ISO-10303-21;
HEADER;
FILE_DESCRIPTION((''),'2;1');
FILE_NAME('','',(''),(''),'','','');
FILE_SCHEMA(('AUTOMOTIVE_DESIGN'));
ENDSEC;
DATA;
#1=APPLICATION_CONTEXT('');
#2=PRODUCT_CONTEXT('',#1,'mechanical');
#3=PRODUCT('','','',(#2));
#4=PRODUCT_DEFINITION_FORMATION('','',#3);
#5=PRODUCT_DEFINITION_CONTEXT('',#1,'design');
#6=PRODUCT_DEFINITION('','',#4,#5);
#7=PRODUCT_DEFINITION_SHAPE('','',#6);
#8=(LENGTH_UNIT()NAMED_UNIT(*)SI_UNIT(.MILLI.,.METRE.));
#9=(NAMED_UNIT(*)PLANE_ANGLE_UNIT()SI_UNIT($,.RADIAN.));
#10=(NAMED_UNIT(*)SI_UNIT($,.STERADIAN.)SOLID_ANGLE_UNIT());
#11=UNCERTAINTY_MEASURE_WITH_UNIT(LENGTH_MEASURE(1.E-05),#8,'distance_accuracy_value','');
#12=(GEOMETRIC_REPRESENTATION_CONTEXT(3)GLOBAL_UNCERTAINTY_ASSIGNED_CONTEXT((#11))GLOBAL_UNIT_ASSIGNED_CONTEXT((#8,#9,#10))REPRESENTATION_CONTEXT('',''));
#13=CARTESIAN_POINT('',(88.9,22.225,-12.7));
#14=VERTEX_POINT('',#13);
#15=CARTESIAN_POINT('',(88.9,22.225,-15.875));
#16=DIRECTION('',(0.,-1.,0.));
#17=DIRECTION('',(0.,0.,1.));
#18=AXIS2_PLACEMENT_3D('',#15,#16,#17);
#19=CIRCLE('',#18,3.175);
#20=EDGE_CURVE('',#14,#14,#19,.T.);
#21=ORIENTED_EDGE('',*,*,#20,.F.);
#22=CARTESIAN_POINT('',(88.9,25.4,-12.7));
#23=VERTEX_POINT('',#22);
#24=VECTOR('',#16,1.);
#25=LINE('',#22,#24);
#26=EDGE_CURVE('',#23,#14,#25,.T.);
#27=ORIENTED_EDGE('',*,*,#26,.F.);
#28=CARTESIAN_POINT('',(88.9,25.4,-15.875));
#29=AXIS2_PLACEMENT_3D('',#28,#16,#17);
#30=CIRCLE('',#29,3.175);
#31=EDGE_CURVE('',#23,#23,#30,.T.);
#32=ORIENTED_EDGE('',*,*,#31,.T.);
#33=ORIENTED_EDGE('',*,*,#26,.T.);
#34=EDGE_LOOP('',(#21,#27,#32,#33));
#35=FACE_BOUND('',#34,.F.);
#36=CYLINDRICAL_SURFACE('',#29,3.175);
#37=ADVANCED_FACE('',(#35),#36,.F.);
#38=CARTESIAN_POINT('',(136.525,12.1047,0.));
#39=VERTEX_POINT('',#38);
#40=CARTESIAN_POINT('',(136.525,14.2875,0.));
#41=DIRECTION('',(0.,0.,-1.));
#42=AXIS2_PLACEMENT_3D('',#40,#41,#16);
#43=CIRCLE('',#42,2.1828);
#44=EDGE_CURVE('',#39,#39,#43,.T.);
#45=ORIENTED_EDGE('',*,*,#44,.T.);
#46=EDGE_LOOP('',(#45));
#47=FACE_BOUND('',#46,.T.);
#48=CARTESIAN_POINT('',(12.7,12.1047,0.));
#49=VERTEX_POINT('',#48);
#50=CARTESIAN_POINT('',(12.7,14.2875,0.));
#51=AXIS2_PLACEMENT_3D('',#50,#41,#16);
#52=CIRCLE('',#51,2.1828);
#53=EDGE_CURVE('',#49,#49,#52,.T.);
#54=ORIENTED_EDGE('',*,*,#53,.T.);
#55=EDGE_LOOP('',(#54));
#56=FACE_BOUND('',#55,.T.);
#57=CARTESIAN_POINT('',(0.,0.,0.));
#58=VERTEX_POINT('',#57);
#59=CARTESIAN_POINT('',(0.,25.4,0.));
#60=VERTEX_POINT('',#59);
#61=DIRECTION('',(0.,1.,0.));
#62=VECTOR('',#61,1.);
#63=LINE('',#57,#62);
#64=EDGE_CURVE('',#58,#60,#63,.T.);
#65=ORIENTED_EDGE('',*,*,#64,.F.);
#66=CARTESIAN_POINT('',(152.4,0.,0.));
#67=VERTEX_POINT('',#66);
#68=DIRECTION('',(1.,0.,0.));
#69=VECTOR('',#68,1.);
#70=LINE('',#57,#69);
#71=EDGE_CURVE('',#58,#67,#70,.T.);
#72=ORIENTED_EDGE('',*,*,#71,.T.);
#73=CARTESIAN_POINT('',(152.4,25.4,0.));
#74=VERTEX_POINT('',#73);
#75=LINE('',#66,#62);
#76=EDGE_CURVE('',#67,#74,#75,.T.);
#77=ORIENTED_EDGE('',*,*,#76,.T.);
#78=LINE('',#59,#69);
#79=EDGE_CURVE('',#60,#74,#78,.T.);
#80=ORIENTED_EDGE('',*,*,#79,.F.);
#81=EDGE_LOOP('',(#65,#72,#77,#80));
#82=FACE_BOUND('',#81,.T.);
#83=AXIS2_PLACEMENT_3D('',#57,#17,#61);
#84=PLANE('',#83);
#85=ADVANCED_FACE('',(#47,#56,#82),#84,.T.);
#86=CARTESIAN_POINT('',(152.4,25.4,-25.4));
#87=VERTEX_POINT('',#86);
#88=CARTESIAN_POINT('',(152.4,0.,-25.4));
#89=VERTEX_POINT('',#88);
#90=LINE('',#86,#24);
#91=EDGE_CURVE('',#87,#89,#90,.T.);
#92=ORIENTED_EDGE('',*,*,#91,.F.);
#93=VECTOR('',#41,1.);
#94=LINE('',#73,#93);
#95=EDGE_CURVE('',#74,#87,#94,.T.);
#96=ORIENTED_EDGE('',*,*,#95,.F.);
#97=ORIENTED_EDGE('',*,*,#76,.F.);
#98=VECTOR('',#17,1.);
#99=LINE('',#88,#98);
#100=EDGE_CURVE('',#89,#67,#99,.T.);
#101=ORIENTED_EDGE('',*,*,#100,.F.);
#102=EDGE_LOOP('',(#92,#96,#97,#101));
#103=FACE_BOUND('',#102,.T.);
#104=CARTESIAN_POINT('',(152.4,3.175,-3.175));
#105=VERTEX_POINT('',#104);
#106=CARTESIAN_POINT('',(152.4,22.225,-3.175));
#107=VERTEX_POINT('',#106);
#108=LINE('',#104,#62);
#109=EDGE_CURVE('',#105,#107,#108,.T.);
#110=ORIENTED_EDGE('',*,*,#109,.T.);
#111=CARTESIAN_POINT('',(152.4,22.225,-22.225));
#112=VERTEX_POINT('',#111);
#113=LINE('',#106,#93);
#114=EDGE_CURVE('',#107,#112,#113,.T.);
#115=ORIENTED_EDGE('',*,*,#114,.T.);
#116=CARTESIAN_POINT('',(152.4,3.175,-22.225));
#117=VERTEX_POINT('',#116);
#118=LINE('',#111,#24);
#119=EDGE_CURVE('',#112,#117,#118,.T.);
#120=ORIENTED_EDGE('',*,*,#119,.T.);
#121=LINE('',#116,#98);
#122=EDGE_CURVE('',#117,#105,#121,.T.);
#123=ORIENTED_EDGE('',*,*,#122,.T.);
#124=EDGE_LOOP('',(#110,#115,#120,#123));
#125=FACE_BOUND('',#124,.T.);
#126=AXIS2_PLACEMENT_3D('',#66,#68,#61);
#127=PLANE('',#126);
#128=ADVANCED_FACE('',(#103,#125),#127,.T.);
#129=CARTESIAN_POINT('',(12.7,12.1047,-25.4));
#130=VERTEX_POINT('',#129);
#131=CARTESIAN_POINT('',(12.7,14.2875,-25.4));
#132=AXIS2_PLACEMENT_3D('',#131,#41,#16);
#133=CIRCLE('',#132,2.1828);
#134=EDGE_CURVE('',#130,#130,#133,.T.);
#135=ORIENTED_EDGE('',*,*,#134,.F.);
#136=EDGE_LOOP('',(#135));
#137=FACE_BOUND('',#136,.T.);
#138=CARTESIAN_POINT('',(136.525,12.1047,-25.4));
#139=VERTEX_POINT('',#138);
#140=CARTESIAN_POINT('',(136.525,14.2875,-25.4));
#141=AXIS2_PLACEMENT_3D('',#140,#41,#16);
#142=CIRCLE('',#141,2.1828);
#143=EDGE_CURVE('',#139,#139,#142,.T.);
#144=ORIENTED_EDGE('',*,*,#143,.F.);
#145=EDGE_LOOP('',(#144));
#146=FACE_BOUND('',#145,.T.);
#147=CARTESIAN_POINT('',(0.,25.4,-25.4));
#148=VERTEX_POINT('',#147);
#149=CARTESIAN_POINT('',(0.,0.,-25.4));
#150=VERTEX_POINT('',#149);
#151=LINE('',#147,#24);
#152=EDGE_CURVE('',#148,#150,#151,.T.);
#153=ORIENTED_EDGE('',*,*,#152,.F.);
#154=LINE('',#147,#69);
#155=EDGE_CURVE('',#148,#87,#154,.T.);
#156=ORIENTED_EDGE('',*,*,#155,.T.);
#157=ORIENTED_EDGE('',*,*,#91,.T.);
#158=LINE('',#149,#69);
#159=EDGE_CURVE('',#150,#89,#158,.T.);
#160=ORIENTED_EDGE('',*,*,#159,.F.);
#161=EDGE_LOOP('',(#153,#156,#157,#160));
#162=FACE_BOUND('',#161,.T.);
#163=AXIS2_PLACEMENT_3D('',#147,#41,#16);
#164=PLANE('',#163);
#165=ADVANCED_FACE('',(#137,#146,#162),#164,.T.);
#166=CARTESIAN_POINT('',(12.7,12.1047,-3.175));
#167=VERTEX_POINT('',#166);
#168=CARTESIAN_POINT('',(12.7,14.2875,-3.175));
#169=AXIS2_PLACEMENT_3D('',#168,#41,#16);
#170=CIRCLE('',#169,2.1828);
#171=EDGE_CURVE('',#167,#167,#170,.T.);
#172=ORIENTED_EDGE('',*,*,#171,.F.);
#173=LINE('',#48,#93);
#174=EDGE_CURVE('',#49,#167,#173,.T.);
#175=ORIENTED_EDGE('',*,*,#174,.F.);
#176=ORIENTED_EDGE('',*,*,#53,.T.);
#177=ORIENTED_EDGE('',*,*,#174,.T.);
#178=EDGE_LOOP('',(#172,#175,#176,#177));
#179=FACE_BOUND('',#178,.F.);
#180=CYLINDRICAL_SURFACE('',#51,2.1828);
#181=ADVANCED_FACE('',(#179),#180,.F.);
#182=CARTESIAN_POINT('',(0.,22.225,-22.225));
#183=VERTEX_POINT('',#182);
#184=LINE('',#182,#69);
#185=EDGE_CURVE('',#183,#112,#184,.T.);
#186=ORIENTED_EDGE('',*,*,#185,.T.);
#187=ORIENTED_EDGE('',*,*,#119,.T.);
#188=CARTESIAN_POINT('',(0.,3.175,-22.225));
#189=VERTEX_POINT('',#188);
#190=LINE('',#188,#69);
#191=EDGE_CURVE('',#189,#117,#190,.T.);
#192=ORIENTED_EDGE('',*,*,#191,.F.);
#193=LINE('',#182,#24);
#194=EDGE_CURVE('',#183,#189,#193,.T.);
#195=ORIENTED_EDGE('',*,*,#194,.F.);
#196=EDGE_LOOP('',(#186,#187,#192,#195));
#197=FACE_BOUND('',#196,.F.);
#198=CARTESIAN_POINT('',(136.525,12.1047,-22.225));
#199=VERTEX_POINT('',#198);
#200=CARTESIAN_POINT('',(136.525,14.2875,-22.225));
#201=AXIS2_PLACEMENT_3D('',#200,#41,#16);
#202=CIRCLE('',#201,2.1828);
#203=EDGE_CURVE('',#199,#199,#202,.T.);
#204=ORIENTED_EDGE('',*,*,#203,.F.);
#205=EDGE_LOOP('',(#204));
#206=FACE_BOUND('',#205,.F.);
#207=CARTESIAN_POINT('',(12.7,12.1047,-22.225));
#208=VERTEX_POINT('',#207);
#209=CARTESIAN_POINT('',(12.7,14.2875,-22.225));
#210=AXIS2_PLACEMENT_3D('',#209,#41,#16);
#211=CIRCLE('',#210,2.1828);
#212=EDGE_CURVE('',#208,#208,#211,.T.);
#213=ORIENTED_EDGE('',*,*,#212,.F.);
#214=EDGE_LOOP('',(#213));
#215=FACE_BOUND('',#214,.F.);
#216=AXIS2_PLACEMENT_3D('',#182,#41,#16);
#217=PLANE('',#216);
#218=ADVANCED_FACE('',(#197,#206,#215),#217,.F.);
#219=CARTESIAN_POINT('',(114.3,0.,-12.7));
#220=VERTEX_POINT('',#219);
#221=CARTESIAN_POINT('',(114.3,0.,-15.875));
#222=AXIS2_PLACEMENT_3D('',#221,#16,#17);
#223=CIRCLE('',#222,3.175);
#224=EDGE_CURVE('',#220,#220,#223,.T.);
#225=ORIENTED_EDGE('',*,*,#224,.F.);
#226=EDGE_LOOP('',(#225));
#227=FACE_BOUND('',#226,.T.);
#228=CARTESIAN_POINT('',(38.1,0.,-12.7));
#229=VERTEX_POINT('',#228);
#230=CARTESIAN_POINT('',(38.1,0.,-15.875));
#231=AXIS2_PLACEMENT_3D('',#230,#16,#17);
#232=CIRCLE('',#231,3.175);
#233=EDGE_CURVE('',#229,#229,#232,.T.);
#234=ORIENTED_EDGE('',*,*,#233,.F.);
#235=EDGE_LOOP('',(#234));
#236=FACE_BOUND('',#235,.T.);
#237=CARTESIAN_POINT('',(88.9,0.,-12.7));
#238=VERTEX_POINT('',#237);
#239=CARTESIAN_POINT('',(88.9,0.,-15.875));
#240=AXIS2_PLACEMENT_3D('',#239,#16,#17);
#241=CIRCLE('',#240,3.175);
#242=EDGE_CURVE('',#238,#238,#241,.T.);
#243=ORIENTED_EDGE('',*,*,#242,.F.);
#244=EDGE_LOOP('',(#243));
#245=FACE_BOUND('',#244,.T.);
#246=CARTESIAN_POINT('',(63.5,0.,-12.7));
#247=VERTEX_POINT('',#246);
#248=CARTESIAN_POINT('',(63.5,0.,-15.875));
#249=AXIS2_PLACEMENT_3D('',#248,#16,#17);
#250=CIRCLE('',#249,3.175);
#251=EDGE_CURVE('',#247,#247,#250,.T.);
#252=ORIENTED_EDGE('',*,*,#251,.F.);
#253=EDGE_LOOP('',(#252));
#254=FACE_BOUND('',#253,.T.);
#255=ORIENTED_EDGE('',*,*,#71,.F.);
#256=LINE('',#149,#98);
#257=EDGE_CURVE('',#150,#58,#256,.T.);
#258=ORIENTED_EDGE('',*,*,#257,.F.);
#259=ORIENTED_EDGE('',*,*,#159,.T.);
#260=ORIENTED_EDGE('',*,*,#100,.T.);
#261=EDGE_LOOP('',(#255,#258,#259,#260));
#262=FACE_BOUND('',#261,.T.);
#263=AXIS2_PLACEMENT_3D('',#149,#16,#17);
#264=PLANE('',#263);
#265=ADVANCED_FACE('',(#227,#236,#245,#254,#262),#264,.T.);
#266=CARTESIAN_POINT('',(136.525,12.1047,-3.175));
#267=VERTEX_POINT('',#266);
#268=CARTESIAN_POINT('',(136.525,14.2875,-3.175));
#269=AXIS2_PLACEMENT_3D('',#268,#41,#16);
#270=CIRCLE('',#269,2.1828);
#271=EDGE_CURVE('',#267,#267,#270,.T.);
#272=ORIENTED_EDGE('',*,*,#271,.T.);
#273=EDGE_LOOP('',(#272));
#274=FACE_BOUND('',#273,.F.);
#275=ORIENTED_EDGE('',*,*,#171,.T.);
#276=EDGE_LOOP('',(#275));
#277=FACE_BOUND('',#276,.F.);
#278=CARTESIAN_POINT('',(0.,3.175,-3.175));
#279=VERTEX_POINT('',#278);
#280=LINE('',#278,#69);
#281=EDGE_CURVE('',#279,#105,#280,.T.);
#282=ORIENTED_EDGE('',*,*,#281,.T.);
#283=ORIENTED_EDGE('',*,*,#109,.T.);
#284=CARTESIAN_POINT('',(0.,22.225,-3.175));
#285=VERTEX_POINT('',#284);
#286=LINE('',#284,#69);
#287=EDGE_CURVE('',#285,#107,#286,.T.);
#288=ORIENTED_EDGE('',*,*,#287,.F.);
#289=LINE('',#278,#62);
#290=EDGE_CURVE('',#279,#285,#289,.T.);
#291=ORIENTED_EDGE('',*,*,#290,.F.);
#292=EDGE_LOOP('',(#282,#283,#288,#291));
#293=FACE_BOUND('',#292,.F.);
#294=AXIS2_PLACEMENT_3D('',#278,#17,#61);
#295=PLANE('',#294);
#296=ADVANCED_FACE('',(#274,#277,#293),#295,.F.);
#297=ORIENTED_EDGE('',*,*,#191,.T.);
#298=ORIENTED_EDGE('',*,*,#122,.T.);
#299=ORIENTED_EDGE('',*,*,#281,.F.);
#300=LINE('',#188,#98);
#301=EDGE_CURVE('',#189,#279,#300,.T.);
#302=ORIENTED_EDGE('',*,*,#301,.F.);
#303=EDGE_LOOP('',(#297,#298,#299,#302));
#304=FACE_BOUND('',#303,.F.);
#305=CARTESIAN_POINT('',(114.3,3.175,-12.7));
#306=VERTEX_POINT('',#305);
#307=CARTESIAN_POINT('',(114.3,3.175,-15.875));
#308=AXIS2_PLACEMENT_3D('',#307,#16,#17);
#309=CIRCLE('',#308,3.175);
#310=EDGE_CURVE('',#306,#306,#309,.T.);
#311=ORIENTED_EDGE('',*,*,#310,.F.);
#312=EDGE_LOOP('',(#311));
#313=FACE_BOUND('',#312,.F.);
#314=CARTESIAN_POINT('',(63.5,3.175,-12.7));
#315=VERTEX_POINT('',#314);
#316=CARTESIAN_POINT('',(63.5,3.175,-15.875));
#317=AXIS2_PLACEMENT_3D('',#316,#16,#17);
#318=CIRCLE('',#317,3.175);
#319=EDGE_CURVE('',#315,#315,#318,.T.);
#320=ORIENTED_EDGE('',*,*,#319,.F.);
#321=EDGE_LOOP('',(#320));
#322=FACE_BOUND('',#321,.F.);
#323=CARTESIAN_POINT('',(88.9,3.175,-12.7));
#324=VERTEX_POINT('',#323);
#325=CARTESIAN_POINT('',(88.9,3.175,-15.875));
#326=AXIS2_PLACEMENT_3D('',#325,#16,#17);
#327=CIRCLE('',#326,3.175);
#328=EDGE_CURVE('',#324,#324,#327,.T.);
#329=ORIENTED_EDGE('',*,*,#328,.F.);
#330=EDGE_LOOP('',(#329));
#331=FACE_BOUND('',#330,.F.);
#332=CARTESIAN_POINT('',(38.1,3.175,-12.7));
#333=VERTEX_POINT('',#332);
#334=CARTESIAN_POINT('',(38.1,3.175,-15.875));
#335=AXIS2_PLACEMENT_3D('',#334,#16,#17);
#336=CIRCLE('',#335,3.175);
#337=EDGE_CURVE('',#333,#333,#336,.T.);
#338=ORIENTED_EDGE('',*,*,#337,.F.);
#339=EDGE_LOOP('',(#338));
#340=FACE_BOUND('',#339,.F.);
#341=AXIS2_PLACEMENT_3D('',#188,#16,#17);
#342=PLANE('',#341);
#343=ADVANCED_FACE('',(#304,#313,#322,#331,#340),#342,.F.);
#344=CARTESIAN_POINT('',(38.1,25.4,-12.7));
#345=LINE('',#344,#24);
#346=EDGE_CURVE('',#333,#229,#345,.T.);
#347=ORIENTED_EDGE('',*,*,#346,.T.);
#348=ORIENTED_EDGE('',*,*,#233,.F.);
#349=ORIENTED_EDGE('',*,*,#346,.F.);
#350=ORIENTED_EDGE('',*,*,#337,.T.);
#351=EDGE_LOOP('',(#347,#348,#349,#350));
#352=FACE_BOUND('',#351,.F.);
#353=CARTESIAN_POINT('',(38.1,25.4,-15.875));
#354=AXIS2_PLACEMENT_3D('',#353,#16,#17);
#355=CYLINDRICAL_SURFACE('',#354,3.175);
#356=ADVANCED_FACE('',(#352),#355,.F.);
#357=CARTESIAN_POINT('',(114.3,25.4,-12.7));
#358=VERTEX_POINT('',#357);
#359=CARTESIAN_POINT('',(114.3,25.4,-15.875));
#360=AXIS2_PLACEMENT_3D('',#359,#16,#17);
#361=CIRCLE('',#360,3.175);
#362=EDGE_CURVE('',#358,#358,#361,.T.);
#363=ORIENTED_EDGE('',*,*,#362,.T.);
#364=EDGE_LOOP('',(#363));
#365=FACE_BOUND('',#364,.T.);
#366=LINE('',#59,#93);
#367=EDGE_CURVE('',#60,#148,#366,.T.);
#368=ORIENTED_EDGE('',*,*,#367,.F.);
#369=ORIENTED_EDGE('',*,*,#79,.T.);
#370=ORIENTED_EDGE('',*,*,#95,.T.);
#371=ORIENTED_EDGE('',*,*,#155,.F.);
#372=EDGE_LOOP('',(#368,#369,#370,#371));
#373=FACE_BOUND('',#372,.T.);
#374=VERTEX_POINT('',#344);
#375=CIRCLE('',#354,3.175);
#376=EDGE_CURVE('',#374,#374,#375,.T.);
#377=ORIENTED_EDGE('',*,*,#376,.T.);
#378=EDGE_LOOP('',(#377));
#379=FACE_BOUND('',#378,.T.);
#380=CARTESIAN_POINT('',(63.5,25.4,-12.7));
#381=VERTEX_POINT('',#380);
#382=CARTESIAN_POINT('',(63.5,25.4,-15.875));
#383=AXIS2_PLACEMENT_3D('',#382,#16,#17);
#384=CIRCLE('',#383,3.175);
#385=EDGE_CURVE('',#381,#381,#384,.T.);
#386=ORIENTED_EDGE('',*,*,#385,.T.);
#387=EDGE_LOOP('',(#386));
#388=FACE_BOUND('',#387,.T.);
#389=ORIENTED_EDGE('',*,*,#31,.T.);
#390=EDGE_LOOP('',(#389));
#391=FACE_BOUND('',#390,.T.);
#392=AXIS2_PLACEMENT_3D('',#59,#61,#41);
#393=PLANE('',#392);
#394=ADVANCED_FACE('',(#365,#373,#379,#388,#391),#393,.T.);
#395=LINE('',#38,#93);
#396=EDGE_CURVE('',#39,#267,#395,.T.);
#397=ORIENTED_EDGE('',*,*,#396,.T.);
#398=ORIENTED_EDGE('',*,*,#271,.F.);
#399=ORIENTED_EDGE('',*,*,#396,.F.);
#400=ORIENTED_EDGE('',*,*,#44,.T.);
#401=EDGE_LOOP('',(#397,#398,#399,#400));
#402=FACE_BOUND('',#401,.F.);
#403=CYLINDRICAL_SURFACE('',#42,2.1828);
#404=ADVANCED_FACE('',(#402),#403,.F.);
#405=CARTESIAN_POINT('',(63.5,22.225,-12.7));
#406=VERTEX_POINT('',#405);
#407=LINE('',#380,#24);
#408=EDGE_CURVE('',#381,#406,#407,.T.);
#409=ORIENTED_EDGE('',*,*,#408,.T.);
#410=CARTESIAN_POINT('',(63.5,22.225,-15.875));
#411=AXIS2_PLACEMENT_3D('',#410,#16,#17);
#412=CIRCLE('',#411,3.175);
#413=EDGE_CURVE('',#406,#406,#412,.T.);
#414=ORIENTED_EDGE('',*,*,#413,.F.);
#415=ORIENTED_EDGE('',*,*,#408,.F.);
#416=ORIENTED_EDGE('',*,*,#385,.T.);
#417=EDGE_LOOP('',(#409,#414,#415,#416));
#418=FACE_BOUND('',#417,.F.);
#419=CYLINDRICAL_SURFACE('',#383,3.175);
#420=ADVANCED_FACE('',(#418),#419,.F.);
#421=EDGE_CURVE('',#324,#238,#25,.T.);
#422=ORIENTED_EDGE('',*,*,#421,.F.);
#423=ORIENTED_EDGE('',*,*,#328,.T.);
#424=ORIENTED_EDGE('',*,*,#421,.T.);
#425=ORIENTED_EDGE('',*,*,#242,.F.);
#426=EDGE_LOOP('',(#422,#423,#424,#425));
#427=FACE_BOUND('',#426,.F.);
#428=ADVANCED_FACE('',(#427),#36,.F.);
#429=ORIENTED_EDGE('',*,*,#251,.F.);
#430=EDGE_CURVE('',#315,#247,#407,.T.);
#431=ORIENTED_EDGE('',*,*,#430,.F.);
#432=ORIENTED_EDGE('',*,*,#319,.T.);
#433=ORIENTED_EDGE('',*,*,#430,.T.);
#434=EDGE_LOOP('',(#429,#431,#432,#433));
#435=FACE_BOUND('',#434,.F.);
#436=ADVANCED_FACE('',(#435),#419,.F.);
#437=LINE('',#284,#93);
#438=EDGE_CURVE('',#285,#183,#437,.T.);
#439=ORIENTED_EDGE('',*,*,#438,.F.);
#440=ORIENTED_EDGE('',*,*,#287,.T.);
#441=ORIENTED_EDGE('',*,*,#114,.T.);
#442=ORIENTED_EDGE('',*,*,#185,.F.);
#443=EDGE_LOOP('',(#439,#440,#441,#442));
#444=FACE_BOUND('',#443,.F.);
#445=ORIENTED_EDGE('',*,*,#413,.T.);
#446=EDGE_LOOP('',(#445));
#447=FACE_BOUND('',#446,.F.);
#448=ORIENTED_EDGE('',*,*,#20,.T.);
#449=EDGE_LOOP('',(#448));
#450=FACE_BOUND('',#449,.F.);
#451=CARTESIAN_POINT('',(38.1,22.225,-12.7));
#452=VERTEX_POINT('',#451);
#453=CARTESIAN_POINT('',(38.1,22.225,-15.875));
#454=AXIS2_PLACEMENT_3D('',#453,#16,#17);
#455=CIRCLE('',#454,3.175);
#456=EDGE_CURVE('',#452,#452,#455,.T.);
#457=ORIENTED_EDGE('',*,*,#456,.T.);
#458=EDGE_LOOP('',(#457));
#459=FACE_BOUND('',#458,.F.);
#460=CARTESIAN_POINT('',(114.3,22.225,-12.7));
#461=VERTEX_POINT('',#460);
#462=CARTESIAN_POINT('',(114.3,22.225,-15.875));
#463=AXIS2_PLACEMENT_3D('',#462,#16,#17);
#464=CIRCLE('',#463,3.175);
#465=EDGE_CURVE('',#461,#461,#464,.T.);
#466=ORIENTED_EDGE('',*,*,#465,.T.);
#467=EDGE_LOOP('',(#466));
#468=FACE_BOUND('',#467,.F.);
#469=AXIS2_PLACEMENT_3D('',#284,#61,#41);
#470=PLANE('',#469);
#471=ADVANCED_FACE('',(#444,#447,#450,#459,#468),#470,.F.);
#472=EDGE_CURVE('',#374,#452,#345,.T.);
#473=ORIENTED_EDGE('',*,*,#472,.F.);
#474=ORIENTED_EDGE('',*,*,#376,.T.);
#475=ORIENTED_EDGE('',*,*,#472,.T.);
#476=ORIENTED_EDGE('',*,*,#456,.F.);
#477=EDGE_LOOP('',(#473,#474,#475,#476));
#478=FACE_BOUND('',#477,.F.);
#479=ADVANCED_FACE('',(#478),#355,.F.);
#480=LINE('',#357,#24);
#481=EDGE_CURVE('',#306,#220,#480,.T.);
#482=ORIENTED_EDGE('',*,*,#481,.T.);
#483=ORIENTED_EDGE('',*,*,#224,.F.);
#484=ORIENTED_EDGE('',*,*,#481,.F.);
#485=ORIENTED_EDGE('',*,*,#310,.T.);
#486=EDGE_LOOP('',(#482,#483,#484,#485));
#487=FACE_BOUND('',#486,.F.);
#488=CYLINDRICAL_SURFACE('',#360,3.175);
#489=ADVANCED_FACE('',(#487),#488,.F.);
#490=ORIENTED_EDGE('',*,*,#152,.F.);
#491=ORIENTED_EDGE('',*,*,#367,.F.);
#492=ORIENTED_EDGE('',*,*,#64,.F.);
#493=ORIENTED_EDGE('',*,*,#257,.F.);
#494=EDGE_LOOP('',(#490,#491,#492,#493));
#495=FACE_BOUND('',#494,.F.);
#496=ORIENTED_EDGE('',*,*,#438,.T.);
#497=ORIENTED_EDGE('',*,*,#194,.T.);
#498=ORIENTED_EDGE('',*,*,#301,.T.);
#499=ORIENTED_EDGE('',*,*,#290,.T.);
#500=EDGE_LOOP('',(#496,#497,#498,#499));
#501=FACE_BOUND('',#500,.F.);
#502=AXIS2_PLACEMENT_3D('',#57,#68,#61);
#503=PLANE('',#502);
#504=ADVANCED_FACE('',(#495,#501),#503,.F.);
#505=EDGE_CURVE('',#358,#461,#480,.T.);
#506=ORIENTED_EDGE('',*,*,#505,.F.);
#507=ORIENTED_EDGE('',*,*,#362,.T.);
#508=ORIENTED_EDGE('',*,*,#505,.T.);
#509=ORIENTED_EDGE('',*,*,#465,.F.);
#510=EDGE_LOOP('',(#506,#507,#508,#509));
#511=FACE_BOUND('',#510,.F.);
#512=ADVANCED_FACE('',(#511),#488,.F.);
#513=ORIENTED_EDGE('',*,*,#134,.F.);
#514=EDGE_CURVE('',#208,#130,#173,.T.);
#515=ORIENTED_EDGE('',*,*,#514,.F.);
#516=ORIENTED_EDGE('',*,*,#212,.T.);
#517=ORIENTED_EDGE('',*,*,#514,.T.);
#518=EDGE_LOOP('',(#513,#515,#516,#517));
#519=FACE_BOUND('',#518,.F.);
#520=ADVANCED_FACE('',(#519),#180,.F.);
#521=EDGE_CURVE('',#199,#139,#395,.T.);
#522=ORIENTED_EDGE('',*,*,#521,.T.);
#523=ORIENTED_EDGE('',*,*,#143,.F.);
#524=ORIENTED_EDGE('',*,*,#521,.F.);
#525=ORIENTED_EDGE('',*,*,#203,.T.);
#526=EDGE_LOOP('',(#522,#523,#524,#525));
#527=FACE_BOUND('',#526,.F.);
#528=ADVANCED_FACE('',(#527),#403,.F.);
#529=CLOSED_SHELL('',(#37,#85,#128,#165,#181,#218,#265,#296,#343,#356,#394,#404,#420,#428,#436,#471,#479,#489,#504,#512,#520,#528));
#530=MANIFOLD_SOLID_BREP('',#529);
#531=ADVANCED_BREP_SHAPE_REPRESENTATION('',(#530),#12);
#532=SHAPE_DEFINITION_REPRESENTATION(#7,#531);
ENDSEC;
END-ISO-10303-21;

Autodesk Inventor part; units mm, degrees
ref_plane "YZ Plane" through (0, 0, 0) normal (1, 0, 0) x (0, 1, 0)
ref_plane "XZ Plane" through (0, 0, 0) normal (0, 1, 0) x (-1, 0, 0)
ref_plane "XY Plane" through (0, 0, 0) normal (0, 0, 1) x (1, 0, 0)
sketch "Sketch1" plane through (0, 0, 0) normal (1, 0, 0) x (0, 1, 0)
  line L0 (0, 0) -> (25.4, 0)
  line L1 (25.4, 0) -> (25.4, -25.4)
  line L2 (25.4, -25.4) -> (0, -25.4)
  line L3 (0, -25.4) -> (0, 0)
  line L4 (3.175, -3.175) -> (22.225, -3.175)
  line L5 (22.225, -3.175) -> (22.225, -22.225)
  line L6 (22.225, -22.225) -> (3.175, -22.225)
  line L7 (3.175, -22.225) -> (3.175, -3.175)
  dimension "d0" = 25.4
  dimension "d1" = 25.4
  dimension "d2" = 19.05
  dimension "d3" = 19.05
  dimension "d4" = 3.175
  dimension "d5" = 3.175
extrude "Extrusion1" add sketch "Sketch1" along normal blind 152.4
sketch "Sketch2" plane through (0, 25.4, 0) normal (0, 1, 0) x (1, 0, 0)
  line L0 (0, 0) -> (0, 25.4) projected
  line L1 (0, 0) -> (152.4, 0) projected
  line L2 (152.4, 25.4) -> (152.4, 0) projected
  point P0 (38.1, 15.875)
  point P1 (114.3, 15.875)
  dimension "d8" = 38.1
  dimension "d9" = 15.875
  dimension "d10" = 15.875
  dimension "d11" = 38.1
hole "Hole1" at (38.1, 25.4, -15.875) at (114.3, 25.4, -15.875) direction (0, -1, 0) diameter 6.35 end through all
sketch "Sketch3" plane through (0, 0, 0) normal (0, 0, 1) x (1, 0, 0)
  line L0 (0, 0) -> (0, 25.4) projected
  line L1 (0, 0) -> (152.4, 0) projected
  line L2 (152.4, 25.4) -> (152.4, 0) projected
  point P0 (12.7, 14.2875)
  point P1 (136.525, 14.2875)
  dimension "d19" = 15.875
  dimension "d20" = 14.2875
  dimension "d21" = 12.7
  dimension "d22" = 14.2875
hole "Hole2" at (12.7, 14.2875, 0) at (136.525, 14.2875, 0) direction (0, 0, -1) diameter 4.3656 end through all
sketch "Sketch4" plane through (0, 25.4, 0) normal (0, 1, 0) x (1, 0, 0)
  line L0 (0, 0) -> (152.4, 0) projected
  line L1 (0, 0) -> (0, 25.4) projected
  point P0 (63.5, 15.875)
  dimension "d30" = 15.875
  dimension "d39" = 63.5
hole "Hole3" at (63.5, 25.4, -15.875) direction (0, -1, 0) diameter 6.35 end through all
sketch "Sketch5" plane through (0, 25.4, 0) normal (0, 1, 0) x (1, 0, 0)
  circle A0 centre (114.3, 15.875) radius 3.175 projected
  line L0 (0, 25.4) -> (152.4, 25.4) projected
  point P0 (88.9, 15.875)
  dimension "d40" = 9.525
  dimension "d41" = 25.4
hole "Hole4" at (88.9, 25.4, -15.875) direction (0, -1, 0) diameter 6.35 depth 25.4 tip angle 118
properties part number "1x1 pickup arm support rear" material "Aluminum 6061"
